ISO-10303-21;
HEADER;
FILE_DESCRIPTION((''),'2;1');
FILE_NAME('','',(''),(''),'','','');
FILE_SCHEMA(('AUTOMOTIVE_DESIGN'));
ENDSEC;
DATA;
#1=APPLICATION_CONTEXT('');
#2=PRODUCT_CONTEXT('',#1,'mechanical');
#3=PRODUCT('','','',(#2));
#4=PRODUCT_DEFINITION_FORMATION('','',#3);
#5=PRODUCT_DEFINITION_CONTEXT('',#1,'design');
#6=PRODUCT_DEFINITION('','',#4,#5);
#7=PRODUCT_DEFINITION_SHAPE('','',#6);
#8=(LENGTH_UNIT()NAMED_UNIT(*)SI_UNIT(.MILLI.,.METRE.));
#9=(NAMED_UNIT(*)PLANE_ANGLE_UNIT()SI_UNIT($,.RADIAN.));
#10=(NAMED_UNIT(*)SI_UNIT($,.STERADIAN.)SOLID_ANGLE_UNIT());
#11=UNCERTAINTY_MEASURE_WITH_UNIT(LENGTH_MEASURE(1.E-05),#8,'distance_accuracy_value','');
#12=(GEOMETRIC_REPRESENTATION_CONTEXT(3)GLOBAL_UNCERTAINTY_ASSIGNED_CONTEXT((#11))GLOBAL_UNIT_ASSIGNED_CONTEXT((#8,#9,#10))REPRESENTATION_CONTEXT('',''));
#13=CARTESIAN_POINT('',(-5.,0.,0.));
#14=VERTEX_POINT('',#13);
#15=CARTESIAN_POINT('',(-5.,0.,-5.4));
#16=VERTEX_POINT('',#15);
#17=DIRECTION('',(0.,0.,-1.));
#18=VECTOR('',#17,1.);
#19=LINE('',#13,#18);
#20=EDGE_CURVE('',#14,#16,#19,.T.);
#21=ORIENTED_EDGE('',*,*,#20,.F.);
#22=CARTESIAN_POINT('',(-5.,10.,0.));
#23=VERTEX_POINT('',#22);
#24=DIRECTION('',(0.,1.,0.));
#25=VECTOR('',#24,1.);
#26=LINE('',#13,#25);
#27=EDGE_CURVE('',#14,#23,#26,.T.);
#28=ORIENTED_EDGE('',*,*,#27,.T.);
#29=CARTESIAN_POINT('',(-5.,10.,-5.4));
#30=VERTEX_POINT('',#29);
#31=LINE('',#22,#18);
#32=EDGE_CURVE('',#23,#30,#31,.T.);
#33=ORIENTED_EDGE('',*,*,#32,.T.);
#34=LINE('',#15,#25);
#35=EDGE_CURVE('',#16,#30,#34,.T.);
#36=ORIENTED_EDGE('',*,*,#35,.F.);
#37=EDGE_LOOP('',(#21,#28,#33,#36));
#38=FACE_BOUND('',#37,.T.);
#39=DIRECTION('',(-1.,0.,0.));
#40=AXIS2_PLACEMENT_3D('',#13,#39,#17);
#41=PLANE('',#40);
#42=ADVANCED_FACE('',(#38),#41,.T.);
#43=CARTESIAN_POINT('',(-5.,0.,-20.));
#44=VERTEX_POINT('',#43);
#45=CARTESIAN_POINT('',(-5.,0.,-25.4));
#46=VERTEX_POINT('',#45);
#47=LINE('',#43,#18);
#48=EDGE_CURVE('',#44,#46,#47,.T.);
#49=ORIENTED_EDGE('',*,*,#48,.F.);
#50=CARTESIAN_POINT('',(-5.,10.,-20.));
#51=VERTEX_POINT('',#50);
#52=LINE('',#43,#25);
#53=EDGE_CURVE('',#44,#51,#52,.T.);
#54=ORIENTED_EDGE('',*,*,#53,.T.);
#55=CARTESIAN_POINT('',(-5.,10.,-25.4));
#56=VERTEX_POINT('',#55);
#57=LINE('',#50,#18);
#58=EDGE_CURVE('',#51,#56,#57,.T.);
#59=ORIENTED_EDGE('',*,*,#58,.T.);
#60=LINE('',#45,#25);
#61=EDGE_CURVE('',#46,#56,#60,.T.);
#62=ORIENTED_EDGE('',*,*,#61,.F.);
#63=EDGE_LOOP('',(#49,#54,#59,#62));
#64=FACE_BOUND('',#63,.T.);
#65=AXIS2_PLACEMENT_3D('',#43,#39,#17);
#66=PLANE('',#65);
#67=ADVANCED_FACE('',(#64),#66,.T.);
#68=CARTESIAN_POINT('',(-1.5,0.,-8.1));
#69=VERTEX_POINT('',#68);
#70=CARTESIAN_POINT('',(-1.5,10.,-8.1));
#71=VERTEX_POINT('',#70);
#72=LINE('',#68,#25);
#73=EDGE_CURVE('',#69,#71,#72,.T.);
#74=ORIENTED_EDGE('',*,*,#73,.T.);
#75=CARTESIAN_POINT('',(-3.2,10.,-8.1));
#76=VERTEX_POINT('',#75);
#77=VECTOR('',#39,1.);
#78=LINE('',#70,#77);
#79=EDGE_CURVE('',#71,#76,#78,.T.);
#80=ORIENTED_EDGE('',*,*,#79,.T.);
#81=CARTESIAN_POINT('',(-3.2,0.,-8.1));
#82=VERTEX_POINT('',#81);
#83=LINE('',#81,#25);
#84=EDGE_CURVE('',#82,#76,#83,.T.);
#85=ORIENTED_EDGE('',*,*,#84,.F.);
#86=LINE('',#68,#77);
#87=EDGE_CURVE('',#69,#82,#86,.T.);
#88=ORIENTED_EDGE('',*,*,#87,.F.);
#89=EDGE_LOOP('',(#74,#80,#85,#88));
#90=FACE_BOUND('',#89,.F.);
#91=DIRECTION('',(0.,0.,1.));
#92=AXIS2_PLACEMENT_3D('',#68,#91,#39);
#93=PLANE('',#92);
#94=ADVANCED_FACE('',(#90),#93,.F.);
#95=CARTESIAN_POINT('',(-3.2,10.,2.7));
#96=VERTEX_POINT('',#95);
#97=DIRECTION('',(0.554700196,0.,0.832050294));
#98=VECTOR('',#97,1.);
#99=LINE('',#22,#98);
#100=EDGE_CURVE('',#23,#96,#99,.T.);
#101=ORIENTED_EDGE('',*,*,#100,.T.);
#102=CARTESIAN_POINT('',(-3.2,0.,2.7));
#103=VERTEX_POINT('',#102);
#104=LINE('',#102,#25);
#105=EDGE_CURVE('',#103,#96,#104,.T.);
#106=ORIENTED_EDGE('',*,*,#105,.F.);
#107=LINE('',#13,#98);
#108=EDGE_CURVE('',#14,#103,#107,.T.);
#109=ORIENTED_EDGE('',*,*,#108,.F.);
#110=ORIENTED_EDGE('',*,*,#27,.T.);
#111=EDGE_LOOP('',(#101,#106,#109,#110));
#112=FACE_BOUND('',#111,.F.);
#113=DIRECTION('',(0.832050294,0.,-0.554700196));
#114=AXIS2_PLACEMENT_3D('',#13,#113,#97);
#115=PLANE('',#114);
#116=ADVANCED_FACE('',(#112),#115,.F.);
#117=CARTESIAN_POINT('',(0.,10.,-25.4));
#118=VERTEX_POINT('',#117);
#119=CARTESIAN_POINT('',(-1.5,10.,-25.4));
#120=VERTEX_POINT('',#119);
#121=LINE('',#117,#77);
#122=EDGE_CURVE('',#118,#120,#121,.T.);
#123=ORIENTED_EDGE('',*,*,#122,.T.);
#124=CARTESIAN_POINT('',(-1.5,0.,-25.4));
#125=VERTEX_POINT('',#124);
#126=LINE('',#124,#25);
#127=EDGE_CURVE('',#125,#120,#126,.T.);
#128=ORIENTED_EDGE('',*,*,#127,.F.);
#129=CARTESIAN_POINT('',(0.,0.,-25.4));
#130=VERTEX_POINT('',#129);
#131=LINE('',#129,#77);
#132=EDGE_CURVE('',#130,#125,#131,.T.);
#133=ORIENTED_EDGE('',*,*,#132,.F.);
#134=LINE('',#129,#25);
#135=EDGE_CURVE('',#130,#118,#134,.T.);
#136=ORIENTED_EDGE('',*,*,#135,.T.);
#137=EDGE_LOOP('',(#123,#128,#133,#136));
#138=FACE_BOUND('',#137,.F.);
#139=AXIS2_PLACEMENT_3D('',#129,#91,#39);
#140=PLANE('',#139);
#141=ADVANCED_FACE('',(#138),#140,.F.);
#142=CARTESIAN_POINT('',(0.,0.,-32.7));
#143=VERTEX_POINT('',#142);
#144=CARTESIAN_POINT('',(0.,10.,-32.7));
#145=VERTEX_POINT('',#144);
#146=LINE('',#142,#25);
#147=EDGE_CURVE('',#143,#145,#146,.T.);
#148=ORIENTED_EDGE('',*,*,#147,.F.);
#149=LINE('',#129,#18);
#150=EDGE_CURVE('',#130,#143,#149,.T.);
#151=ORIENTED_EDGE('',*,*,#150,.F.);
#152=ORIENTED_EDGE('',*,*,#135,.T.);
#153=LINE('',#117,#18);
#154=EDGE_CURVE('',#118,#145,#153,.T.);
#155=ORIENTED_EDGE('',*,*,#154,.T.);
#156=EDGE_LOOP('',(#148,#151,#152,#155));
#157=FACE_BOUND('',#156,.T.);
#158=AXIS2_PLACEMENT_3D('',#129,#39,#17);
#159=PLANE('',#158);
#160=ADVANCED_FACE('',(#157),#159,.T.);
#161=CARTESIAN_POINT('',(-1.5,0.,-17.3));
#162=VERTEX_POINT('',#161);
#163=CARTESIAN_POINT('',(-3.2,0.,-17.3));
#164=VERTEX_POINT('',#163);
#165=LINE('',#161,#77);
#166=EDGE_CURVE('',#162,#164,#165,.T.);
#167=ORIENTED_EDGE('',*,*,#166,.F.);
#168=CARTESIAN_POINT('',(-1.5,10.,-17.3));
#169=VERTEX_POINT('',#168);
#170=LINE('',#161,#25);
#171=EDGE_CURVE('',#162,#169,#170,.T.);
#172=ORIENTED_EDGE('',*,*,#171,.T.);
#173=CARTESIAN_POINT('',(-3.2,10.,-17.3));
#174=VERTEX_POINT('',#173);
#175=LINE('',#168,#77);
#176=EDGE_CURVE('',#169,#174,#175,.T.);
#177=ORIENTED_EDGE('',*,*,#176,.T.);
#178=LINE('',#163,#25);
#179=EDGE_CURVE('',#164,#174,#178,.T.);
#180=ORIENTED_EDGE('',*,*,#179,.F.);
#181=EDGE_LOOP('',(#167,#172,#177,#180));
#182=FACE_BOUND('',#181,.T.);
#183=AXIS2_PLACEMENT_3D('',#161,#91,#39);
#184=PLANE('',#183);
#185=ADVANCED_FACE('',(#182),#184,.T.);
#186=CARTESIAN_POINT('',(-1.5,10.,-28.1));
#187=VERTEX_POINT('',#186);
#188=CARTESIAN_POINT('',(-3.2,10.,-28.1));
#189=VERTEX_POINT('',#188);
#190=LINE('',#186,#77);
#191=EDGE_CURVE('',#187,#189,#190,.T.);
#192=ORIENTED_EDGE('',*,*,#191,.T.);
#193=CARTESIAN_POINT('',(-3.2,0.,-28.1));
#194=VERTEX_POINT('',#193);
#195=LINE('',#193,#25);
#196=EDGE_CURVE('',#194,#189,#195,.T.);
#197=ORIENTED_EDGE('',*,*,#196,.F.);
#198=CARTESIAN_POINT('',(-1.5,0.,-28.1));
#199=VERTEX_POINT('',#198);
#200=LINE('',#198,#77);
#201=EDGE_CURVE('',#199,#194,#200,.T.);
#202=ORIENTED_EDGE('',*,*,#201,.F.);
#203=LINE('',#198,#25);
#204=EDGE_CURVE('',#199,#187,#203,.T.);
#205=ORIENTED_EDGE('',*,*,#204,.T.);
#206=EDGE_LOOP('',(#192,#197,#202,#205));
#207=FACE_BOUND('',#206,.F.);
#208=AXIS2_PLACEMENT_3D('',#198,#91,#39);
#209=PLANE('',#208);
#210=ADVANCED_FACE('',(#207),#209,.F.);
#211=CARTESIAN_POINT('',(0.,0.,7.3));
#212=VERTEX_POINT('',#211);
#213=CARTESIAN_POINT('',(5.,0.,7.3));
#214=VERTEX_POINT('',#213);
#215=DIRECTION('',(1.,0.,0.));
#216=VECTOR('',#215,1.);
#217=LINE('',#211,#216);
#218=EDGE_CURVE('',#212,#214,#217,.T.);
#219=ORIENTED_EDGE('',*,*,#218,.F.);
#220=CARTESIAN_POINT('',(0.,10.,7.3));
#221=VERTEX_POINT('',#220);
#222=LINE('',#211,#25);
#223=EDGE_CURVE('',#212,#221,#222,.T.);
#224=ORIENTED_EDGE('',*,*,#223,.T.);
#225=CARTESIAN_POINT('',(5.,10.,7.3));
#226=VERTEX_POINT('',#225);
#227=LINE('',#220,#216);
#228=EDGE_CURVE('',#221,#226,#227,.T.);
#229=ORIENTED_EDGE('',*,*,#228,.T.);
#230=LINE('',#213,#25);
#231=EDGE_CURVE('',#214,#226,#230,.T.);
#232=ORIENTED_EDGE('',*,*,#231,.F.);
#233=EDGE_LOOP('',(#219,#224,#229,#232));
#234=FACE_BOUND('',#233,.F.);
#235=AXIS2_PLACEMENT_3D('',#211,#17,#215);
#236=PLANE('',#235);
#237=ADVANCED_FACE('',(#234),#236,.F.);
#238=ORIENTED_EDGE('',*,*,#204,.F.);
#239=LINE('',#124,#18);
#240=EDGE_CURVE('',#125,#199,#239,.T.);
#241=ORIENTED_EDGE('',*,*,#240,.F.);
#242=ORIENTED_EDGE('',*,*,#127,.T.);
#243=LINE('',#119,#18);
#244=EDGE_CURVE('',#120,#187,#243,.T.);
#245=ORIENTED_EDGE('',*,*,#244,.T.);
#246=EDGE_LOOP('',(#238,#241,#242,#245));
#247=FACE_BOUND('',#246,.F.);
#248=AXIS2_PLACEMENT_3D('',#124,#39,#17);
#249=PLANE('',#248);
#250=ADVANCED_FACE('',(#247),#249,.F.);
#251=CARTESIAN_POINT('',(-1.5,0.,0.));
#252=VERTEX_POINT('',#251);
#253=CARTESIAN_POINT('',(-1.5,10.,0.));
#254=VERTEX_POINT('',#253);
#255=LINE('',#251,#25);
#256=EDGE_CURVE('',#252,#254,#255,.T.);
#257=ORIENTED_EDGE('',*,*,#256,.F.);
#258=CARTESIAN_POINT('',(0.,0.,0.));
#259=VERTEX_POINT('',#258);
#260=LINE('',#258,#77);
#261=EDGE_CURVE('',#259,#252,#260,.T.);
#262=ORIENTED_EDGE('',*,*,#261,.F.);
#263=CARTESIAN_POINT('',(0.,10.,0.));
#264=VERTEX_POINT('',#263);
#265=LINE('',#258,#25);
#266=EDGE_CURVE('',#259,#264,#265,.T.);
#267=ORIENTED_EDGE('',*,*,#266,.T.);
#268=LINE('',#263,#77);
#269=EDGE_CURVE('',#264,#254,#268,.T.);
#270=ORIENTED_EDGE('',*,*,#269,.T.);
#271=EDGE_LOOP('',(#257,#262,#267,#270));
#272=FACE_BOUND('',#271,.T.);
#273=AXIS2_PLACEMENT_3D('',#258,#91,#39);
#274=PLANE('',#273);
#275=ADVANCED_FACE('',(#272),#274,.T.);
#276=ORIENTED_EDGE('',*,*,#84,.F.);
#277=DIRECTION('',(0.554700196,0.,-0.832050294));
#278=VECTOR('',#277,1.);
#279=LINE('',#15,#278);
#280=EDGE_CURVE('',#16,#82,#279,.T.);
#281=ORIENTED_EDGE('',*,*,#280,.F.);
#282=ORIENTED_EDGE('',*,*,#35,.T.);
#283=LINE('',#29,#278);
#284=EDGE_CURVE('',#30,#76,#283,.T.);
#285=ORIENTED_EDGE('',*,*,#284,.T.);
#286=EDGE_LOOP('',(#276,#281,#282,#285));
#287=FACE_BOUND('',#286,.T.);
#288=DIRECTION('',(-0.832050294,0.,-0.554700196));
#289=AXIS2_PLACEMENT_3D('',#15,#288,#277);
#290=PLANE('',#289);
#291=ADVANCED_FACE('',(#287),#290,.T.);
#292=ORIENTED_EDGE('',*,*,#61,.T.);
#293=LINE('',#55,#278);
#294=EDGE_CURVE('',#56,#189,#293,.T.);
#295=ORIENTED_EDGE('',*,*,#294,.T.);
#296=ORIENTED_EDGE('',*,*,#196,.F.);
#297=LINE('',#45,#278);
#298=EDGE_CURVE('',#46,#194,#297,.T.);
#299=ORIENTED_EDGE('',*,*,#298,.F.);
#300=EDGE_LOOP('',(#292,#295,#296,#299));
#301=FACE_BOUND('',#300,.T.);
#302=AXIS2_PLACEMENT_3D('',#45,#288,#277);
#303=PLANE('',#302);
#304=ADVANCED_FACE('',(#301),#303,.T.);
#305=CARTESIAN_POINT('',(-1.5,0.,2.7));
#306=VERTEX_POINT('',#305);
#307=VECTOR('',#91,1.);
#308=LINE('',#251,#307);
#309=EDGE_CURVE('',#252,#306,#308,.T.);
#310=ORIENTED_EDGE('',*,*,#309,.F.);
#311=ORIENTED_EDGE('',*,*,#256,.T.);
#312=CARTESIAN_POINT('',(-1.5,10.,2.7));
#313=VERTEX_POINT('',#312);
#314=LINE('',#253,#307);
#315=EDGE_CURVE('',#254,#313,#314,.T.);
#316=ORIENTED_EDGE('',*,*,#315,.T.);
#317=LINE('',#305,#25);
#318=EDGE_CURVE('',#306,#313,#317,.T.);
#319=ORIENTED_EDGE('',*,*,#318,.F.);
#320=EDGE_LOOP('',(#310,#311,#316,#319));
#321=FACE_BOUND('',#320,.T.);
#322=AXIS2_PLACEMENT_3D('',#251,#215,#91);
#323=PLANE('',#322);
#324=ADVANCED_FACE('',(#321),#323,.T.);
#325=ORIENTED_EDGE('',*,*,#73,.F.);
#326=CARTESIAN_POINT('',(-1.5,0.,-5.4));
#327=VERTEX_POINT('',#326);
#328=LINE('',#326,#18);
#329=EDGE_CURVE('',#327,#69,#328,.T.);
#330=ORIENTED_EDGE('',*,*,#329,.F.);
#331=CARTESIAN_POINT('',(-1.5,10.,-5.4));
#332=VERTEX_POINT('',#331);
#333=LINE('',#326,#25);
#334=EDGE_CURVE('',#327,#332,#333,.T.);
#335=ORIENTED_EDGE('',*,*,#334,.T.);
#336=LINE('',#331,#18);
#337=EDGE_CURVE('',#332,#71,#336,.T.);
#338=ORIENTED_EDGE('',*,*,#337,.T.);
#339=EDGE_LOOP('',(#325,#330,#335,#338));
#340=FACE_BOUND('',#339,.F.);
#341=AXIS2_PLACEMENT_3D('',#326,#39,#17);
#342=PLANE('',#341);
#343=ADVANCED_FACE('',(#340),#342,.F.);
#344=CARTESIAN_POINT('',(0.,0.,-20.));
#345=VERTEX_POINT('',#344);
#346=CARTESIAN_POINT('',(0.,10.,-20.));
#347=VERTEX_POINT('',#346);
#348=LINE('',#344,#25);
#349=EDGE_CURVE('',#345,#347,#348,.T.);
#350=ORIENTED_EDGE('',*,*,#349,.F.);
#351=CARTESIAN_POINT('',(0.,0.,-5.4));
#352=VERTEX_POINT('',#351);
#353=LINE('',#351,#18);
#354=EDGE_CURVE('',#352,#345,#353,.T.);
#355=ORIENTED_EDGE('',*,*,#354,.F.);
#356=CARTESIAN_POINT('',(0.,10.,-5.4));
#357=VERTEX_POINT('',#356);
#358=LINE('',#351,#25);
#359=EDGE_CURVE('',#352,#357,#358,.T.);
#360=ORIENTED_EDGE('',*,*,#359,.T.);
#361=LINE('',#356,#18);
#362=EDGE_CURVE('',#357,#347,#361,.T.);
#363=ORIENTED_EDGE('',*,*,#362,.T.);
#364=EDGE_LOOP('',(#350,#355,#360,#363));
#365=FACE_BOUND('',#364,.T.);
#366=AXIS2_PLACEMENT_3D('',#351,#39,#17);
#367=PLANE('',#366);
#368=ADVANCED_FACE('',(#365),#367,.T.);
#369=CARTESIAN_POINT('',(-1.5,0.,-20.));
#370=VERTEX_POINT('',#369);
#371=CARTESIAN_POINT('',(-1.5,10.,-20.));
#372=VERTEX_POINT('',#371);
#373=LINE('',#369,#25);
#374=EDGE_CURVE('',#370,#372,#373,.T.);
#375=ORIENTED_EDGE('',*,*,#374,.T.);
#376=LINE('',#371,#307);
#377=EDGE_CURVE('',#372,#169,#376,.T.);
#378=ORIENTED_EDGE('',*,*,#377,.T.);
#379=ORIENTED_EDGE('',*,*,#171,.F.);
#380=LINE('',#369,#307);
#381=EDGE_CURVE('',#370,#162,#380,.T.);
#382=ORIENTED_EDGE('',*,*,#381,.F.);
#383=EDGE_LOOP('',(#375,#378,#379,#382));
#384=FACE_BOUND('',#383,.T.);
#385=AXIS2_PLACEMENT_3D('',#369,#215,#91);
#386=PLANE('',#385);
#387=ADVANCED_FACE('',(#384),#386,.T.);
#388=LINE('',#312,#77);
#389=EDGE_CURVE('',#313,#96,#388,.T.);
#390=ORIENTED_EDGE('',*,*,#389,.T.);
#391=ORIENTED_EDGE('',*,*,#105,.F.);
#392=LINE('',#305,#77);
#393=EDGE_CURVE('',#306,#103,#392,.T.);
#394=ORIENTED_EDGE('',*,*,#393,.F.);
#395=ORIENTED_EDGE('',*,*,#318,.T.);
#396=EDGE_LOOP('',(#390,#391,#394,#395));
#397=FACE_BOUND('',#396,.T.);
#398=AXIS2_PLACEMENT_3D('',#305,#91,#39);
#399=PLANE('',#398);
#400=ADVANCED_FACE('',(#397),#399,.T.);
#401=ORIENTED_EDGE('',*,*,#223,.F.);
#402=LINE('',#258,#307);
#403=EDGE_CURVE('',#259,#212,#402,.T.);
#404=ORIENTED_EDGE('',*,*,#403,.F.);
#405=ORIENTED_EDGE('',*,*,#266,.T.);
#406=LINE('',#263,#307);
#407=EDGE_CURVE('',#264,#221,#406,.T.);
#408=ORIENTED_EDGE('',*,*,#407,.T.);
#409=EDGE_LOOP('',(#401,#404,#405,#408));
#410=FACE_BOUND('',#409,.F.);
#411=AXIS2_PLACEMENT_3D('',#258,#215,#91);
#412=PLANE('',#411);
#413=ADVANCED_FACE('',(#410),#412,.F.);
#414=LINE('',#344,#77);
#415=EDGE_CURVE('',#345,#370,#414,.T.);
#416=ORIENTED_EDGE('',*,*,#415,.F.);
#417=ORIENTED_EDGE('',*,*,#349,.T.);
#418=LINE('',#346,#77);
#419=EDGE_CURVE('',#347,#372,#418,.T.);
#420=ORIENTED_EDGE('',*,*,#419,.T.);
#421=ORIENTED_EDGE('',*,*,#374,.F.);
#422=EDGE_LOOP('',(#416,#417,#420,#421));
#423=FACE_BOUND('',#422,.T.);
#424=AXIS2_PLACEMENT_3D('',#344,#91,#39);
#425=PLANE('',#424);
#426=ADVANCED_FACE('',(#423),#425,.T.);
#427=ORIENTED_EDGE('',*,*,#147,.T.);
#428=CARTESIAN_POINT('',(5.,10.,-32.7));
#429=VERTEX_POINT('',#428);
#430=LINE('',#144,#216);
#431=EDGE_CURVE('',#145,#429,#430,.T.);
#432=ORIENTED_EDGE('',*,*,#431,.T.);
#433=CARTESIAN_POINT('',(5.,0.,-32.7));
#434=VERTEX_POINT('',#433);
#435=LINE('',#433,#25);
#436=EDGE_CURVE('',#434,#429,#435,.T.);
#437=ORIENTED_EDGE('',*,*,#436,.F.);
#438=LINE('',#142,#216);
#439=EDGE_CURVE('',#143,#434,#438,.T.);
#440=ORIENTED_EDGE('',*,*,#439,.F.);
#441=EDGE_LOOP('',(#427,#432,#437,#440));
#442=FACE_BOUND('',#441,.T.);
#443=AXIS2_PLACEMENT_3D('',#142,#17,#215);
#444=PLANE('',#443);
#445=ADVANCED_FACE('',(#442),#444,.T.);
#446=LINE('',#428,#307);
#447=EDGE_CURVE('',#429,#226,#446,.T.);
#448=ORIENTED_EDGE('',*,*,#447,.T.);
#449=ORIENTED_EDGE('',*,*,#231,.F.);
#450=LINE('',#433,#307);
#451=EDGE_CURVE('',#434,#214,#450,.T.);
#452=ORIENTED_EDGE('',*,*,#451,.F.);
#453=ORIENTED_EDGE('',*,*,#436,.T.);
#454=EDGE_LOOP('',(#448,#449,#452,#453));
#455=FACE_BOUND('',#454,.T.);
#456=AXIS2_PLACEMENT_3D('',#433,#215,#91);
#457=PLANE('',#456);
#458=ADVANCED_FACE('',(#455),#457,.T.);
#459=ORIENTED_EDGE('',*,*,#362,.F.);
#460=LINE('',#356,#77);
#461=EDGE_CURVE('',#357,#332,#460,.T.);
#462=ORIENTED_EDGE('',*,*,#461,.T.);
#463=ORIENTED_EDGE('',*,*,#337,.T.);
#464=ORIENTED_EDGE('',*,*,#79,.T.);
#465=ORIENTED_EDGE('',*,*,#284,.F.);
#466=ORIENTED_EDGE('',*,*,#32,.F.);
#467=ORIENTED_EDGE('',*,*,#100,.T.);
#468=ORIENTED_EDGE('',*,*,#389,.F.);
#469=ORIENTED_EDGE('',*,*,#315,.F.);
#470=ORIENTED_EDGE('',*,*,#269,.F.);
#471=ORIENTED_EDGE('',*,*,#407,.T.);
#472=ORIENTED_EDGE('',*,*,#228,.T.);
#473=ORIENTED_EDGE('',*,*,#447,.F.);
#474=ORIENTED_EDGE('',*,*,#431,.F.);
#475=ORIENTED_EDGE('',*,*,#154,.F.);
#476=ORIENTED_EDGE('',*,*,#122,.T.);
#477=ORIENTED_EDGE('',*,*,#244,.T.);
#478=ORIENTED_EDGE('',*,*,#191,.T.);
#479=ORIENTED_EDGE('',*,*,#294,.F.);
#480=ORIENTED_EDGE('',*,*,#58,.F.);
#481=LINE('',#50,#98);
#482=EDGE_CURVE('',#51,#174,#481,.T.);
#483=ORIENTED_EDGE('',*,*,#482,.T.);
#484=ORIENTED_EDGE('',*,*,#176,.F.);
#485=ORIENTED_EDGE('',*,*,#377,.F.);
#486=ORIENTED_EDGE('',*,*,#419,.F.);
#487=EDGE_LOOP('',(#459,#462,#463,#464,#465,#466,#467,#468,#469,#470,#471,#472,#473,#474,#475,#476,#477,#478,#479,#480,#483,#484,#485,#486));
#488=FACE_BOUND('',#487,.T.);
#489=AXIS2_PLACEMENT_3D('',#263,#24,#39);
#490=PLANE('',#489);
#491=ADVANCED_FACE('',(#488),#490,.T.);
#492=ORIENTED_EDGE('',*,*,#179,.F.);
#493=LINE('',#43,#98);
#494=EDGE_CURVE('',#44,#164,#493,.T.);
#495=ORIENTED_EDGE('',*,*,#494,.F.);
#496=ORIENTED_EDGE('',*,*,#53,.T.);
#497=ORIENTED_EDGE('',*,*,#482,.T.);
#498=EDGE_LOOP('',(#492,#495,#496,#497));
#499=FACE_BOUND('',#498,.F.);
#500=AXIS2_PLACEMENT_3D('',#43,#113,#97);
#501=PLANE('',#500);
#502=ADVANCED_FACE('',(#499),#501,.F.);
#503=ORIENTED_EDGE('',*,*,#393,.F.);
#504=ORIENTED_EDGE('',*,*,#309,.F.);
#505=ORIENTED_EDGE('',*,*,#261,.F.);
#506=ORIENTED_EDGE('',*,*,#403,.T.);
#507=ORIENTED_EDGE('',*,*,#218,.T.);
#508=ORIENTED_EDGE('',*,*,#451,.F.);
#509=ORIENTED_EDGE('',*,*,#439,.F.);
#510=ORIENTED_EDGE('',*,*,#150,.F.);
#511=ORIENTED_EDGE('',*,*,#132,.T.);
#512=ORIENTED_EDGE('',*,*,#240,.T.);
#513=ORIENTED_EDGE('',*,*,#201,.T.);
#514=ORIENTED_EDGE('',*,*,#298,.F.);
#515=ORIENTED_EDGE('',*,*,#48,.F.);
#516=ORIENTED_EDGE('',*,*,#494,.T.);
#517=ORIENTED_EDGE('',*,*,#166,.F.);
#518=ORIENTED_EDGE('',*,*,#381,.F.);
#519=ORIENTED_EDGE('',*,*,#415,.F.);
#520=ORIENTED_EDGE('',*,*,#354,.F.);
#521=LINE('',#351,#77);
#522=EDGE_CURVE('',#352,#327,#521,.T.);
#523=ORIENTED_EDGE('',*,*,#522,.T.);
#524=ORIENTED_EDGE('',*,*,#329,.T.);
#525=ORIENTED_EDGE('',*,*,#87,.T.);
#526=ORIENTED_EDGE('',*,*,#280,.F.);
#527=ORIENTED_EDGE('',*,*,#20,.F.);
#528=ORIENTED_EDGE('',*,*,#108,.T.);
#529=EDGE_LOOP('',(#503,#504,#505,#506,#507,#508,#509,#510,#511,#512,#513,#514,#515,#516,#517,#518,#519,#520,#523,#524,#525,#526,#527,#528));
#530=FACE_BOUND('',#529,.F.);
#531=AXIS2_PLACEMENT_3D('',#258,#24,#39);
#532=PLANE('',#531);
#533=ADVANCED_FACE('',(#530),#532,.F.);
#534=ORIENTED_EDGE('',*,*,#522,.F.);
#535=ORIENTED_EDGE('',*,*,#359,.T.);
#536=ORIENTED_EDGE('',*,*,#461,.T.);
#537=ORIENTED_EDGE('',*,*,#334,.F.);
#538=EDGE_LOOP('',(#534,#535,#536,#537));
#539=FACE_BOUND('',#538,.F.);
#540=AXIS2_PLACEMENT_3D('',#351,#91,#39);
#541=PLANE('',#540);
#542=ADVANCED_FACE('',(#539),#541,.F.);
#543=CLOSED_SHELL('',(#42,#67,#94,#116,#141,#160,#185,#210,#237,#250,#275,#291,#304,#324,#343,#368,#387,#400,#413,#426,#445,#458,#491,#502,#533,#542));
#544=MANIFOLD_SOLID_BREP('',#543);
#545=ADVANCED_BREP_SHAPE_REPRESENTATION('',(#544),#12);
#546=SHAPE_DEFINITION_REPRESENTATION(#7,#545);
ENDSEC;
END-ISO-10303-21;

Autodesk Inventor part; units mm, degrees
ref_plane "YZ Plane" through (0, 0, 0) normal (1, 0, 0) x (0, 1, 0)
ref_plane "XZ Plane" through (0, 0, 0) normal (0, 1, 0) x (-1, 0, 0)
ref_plane "XY Plane" through (0, 0, 0) normal (0, 0, 1) x (1, 0, 0)
sketch "Sketch1" plane through (0, 0, 0) normal (0, 1, 0) x (-1, 0, 0)
  line L0 (0, -5.4) -> (1.5, -5.4)
  line L1 (1.5, -5.4) -> (1.5, -8.1)
  line L2 (1.5, -8.1) -> (3.2, -8.1)
  line L3 (0, 0) -> (1.5, 0)
  line L4 (1.5, 0) -> (1.5, 2.7)
  line L5 (1.5, 2.7) -> (3.2, 2.7)
  line L6 (5, 0) -> (5, -5.4)
  line L7 (5, -5.4) -> (3.2, -8.1)
  line L8 (5, 0) -> (3.2, 2.7)
  line L9 (0, -20) -> (1.5, -20)
  line L10 (1.5, -20) -> (1.5, -17.3)
  line L11 (1.5, -17.3) -> (3.2, -17.3)
  line L12 (0, -25.4) -> (1.5, -25.4)
  line L13 (1.5, -25.4) -> (1.5, -28.1)
  line L14 (1.5, -28.1) -> (3.2, -28.1)
  line L15 (5, -20) -> (5, -25.4)
  line L16 (5, -25.4) -> (3.2, -28.1)
  line L17 (5, -20) -> (3.2, -17.3)
  line L18 (0, -5.4) -> (0, -20)
  line L19 (0, 0) -> (0, 7.3)
  line L20 (0, 7.3) -> (-5, 7.3)
  line L21 (0, -25.4) -> (0, -32.7)
  line L22 (0, -32.7) -> (-5, -32.7)
  line L23 (-5, -32.7) -> (-5, 7.3)
  dimension "d0" = 5.4
  dimension "d1" = 1.5
  dimension "d2" = 2.7
  dimension "d3" = 1.7
  dimension "d4" = 2.7
  dimension "d5" = 1.7
  dimension "d9" = 2.7
  dimension "d10" = 2.7
  dimension "d11" = 5.4
  dimension "d12" = 7.3
  dimension "d13" = 5
  dimension "d14" = 7.3
  dimension "d15" = 5
  dimension "d16" = 20
extrude "Extrusion1" add sketch "Sketch1" along normal blind 10
properties part number "slotmountingPlate_dual"
